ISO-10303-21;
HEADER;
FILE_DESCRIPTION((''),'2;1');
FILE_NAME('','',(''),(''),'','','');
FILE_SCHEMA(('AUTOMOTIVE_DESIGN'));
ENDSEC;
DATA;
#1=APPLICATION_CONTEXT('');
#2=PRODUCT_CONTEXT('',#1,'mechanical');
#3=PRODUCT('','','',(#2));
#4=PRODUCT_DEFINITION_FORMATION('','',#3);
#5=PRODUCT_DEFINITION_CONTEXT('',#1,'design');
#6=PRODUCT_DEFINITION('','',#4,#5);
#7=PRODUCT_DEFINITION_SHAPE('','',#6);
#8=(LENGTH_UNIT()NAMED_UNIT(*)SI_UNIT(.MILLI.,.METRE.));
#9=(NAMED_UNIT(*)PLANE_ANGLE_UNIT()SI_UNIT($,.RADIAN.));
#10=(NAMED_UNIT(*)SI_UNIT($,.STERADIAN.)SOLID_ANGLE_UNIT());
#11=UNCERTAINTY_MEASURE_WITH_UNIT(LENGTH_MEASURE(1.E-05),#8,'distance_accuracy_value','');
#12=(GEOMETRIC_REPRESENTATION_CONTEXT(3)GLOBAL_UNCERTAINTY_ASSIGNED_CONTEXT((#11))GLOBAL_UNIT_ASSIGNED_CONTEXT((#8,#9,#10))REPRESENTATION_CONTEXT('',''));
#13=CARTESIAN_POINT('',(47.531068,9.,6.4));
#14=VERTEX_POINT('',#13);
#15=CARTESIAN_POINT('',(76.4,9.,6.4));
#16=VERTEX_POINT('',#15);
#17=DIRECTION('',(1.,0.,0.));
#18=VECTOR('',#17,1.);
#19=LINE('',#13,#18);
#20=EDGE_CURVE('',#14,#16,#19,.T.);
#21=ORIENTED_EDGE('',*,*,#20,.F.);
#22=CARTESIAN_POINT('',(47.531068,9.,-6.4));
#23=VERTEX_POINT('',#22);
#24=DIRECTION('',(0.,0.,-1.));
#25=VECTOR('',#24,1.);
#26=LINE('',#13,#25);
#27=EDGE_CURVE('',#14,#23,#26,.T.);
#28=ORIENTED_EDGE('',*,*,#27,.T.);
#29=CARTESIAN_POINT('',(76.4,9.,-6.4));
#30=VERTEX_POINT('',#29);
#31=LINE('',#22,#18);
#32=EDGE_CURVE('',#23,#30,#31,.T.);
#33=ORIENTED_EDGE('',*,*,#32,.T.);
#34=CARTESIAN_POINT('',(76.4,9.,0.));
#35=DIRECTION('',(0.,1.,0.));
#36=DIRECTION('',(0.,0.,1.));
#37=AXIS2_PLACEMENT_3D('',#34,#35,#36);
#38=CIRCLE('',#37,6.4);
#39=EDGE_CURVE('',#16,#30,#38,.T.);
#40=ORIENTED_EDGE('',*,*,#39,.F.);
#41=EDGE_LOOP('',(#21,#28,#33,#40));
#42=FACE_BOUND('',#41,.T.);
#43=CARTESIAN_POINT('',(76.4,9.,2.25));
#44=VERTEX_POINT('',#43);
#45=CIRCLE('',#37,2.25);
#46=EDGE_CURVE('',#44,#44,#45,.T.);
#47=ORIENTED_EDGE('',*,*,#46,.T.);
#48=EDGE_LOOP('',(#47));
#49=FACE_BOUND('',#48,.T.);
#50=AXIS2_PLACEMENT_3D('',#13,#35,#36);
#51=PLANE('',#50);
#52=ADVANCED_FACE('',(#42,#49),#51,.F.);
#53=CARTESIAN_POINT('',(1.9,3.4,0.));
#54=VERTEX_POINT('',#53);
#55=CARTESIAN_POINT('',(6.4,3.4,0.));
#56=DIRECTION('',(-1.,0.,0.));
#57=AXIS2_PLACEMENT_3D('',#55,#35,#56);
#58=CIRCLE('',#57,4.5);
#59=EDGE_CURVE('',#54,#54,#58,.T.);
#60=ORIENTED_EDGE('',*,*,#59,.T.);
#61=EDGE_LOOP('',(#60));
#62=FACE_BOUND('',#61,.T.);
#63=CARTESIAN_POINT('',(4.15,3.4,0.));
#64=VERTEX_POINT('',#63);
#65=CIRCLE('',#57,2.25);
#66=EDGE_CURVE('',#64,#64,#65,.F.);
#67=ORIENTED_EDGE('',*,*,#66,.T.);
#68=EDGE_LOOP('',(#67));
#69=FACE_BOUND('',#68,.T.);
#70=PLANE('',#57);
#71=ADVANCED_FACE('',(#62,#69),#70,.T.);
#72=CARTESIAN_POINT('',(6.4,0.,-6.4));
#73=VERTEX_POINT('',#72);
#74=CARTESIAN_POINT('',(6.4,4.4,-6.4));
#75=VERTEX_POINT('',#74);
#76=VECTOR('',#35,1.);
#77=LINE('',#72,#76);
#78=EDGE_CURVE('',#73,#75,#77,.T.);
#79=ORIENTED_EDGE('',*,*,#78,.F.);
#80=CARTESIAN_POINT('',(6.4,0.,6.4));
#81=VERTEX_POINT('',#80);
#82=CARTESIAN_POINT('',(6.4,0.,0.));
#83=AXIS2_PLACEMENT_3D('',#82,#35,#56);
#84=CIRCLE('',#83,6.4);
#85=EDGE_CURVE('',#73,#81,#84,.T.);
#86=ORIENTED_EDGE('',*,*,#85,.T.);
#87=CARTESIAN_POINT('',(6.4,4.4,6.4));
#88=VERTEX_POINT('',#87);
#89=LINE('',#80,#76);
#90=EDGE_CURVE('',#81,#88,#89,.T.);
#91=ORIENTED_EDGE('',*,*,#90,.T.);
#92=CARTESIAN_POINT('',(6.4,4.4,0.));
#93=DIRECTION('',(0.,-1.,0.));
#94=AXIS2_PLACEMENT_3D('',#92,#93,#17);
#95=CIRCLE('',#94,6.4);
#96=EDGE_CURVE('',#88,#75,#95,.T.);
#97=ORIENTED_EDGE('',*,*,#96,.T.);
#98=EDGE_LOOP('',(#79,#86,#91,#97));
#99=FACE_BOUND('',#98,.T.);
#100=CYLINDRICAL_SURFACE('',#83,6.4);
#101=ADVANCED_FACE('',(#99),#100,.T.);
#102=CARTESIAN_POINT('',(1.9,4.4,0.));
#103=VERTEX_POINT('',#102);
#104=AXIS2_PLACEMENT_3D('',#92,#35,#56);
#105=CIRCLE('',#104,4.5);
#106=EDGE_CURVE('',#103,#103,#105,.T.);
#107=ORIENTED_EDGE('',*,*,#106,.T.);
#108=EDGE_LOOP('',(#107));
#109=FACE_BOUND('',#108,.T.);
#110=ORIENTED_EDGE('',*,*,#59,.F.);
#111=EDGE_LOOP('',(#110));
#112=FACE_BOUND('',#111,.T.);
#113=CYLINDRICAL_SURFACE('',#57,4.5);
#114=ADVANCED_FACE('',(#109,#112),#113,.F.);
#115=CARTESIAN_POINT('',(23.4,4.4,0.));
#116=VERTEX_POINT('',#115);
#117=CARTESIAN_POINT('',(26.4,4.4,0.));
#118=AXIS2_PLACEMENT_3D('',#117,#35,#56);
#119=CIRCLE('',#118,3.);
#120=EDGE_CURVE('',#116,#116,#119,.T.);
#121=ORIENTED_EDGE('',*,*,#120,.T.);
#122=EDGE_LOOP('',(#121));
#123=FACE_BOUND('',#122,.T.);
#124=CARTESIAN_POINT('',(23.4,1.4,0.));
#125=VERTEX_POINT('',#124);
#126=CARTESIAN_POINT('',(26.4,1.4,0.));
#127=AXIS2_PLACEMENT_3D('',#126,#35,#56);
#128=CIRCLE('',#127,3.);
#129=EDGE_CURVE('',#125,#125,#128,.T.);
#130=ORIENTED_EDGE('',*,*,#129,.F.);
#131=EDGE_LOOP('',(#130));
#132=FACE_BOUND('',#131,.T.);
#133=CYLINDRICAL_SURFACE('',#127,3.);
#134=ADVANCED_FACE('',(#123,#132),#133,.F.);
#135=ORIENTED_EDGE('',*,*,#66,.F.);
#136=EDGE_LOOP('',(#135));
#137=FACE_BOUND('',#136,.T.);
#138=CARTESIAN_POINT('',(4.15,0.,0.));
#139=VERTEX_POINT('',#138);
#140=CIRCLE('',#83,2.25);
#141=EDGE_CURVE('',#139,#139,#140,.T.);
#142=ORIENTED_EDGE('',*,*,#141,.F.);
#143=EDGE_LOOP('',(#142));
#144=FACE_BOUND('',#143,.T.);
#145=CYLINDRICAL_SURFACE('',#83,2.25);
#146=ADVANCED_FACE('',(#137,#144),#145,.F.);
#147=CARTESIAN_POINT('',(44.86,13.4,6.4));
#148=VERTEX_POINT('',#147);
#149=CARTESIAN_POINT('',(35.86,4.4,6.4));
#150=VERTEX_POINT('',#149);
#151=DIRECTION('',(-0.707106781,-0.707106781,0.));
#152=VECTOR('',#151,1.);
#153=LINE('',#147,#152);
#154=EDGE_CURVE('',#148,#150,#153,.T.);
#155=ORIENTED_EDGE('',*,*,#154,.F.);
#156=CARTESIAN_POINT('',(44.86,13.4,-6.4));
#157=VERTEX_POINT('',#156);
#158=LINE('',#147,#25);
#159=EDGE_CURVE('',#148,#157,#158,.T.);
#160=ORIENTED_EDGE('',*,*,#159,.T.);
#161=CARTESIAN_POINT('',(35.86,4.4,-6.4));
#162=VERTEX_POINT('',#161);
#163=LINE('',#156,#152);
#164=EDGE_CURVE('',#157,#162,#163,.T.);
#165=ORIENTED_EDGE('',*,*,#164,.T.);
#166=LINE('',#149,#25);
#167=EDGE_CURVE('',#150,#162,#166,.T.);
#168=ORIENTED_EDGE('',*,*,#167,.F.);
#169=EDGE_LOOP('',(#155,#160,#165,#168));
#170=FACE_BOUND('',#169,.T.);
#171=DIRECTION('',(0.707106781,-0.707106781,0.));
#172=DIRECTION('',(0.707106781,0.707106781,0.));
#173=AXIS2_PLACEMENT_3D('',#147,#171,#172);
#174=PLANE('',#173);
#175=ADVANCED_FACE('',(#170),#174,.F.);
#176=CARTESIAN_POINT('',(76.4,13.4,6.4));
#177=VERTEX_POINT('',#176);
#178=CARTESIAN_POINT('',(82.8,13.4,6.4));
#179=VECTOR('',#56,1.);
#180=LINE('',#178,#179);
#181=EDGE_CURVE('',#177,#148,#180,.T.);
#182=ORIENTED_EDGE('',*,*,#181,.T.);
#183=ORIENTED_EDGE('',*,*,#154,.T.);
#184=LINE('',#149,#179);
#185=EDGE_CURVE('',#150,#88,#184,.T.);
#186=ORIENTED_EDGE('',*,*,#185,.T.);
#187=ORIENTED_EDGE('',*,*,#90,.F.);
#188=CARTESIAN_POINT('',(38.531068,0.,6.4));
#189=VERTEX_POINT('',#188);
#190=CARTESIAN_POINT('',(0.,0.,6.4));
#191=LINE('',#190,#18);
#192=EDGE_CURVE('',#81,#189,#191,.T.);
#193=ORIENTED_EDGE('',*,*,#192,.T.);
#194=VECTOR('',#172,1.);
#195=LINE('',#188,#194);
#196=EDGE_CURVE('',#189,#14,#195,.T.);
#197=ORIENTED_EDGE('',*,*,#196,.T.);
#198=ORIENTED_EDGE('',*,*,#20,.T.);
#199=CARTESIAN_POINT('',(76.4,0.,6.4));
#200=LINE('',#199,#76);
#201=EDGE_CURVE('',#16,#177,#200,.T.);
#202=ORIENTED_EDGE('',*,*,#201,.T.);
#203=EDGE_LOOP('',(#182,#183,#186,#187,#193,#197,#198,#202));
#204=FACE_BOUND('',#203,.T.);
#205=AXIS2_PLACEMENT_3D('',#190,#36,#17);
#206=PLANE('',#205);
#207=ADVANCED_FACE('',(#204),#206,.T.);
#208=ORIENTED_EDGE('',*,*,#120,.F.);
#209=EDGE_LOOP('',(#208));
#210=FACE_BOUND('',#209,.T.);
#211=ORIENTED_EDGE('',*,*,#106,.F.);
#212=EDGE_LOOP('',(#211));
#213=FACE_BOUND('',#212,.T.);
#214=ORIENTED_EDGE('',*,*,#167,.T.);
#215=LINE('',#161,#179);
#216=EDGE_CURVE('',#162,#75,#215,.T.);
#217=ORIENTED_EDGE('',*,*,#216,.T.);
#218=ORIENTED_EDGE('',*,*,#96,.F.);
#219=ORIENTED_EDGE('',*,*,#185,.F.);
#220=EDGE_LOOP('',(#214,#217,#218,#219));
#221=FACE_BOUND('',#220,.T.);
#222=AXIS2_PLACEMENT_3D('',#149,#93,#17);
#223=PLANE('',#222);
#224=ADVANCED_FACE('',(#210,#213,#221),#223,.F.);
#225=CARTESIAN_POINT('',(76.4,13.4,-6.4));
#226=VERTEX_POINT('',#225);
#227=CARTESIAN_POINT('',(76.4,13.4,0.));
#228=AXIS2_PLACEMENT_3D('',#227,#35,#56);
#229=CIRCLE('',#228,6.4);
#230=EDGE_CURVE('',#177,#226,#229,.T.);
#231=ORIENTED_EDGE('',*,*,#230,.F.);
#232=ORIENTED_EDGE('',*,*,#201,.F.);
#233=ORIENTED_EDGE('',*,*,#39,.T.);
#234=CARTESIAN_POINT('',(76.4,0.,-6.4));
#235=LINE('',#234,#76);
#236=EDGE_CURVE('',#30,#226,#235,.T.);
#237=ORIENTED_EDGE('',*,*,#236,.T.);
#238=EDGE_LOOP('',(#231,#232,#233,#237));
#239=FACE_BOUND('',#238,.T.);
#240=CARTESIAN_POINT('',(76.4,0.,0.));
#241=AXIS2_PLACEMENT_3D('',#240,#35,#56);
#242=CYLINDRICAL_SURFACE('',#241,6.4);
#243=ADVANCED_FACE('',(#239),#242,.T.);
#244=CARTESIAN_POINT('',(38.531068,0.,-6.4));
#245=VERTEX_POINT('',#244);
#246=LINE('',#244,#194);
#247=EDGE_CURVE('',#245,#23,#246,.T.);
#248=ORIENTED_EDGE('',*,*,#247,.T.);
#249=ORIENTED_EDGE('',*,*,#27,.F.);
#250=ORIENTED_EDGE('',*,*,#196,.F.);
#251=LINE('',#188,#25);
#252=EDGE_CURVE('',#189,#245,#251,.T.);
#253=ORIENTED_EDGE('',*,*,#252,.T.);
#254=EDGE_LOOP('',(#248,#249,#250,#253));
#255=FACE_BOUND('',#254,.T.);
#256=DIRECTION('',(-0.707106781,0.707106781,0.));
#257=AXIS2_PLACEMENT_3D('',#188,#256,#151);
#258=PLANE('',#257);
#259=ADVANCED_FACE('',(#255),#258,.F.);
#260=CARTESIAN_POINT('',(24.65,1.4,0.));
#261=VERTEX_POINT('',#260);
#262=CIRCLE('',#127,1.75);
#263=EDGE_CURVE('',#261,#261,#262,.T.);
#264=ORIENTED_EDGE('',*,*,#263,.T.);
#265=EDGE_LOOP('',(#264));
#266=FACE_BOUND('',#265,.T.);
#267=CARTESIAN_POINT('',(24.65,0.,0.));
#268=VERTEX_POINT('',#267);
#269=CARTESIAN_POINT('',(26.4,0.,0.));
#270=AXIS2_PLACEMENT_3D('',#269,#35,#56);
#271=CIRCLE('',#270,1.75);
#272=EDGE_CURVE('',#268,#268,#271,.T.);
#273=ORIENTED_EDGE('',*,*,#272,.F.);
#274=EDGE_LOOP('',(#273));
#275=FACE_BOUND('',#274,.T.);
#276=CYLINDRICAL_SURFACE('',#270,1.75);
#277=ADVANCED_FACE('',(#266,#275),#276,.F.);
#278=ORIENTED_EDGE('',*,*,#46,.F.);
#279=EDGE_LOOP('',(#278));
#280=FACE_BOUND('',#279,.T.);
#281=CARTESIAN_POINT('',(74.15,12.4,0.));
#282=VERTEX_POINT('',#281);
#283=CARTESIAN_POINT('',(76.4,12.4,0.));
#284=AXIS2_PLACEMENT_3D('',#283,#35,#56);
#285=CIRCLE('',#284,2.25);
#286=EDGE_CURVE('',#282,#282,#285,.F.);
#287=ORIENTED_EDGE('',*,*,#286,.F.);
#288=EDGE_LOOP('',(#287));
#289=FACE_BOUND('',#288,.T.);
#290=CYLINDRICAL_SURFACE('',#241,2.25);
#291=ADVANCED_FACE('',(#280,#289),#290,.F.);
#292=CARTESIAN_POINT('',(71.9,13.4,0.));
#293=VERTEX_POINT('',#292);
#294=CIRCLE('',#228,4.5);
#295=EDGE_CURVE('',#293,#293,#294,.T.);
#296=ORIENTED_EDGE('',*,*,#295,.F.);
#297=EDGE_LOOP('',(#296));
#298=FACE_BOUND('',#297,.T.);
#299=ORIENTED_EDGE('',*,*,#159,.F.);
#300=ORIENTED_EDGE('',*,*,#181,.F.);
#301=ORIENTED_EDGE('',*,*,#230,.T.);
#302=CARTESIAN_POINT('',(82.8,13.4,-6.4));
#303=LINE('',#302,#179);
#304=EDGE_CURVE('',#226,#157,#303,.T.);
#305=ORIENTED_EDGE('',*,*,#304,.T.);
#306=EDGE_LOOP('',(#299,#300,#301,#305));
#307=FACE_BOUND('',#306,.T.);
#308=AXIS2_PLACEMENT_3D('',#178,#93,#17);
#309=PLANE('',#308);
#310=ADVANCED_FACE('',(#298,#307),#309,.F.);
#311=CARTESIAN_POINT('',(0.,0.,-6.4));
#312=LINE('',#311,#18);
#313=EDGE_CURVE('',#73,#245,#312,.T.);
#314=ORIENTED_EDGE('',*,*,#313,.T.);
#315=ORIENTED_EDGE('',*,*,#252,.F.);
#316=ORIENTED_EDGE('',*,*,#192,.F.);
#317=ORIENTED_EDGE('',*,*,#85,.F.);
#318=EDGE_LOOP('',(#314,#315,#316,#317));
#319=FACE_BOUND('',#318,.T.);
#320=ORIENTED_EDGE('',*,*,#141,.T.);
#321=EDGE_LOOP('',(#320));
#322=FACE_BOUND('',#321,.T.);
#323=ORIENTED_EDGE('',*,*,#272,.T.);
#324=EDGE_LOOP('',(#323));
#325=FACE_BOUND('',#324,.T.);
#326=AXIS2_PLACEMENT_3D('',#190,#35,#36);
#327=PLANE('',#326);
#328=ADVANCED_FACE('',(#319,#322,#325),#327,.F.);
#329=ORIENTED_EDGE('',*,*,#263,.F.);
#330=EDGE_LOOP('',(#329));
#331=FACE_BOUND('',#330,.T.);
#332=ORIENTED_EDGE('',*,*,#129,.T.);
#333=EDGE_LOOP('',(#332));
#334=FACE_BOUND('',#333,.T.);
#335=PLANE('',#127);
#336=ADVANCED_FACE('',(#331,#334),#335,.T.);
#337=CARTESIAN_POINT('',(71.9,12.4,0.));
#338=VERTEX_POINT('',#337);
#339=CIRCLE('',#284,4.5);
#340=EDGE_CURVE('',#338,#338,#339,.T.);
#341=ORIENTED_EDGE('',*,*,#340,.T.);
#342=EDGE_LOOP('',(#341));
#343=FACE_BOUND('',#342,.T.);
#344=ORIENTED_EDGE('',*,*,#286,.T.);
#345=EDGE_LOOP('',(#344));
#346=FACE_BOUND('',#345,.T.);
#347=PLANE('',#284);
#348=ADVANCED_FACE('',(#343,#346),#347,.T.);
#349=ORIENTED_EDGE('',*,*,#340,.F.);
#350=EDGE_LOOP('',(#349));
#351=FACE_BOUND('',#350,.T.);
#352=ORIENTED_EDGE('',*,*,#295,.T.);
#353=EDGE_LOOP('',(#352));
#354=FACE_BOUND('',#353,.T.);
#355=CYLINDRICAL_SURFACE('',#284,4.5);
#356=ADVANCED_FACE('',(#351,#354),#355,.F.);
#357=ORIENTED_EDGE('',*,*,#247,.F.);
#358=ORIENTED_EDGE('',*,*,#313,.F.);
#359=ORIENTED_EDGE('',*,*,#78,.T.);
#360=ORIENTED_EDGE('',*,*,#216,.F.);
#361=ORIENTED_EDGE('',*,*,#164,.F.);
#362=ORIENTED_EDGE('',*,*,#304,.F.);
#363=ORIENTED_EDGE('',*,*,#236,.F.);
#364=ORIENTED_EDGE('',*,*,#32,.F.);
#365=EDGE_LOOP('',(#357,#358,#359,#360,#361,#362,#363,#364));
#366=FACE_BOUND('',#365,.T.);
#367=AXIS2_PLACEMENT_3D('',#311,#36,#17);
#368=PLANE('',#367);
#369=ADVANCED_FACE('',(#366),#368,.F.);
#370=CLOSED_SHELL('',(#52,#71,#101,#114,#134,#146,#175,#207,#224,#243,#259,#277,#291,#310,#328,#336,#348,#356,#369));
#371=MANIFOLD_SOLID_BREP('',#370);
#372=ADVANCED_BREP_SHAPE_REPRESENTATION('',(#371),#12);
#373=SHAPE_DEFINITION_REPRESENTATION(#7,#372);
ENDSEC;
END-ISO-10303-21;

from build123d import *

# Parameters (mm, degrees)
EXTRUDE_1_DEPTH          = 6.4
SKETCH_2_OUTSIDE_W       = 101.77
SKETCH_2_OUTSIDE_H       = 31.77
CUT_EXTRUDE_1_DEPTH      = 85.121103179
CUT_EXTRUDE_2_DEPTH      = 84.533226922
CUT_EXTRUDE_2_DEPTH_BACK = 84.533226922
SKETCH_3_R               = 2.25
SKETCH_4_R               = 4.5
CUT_EXTRUDE_3_DEPTH      = 1
SKETCH_5_R               = 4.5
CUT_EXTRUDE_4_DEPTH      = 1
SKETCH_6_R               = 3
CUT_EXTRUDE_5_DEPTH      = 3
SKETCH_7_R               = 1.75
CUT_EXTRUDE_6_DEPTH      = 84.533226922


with BuildPart() as part:
    # 草图1 → 凸台-拉伸1 (new, symmetric)
    with BuildSketch(Plane.XY):
        Polygon((0, 0), (38.531067812, 0), (47.531067812, 9), (82.8, 9), (82.8, 13.4), (44.86, 13.4), (35.86, 4.4), (0, 4.4), align=None)
    extrude(amount=EXTRUDE_1_DEPTH, both=True)

    # 草图2 outside → 切除-拉伸1 (cut, through all)
    with BuildSketch(Plane(origin=(0, 13.4, 0), x_dir=(1, 0, 0), z_dir=(0, 1, 0))):
        with Locations((41.4, 0)):
            Rectangle(SKETCH_2_OUTSIDE_W, SKETCH_2_OUTSIDE_H)
        with BuildLine():
            Line((76.4, 6.4), (44.86, 6.4))
            Line((44.86, 6.4), (35.86, 6.4))
            Line((35.86, 6.4), (6.4, 6.4))
            ThreePointArc((6.4, 6.4), (0, 0), (6.4, -6.4))
            Line((6.4, -6.4), (35.86, -6.4))
            Line((35.86, -6.4), (44.86, -6.4))
            Line((44.86, -6.4), (76.4, -6.4))
            ThreePointArc((76.4, -6.4), (82.8, 0), (76.4, 6.4))
        make_face(mode=Mode.SUBTRACT)
    extrude(amount=-CUT_EXTRUDE_1_DEPTH, mode=Mode.SUBTRACT)

    # 草图3 → 切除-拉伸2 (cut, two sides: drawn at the far end of the back side and taken through both)
    with BuildSketch(Plane(origin=(0, 4.4, 0), x_dir=(1, 0, 0), z_dir=(0, 1, 0)).offset(-CUT_EXTRUDE_2_DEPTH_BACK)):
        with Locations(Location((6.4, 0, 0), (0, 0, 180))):
            Circle(SKETCH_3_R)
        with Locations(Location((76.4, 0, 0), (0, 0, 180))):
            Circle(SKETCH_3_R)
    extrude(amount=CUT_EXTRUDE_2_DEPTH + CUT_EXTRUDE_2_DEPTH_BACK, mode=Mode.SUBTRACT)

    # 草图4 → 切除-拉伸3 (cut)
    with BuildSketch(Plane(origin=(0, 13.4, 0), x_dir=(1, 0, 0), z_dir=(0, 1, 0))):
        with Locations(Location((76.4, 0, 0), (0, 0, 180))):
            Circle(SKETCH_4_R)
    extrude(amount=-CUT_EXTRUDE_3_DEPTH, mode=Mode.SUBTRACT)

    # 草图5 → 切除-拉伸4 (cut)
    with BuildSketch(Plane(origin=(0, 4.4, 0), x_dir=(1, 0, 0), z_dir=(0, 1, 0))):
        with Locations(Location((6.4, 0, 0), (0, 0, 180))):
            Circle(SKETCH_5_R)
    extrude(amount=-CUT_EXTRUDE_4_DEPTH, mode=Mode.SUBTRACT)

    # 草图6 → 切除-拉伸5 (cut)
    with BuildSketch(Plane(origin=(0, 4.4, 0), x_dir=(1, 0, 0), z_dir=(0, 1, 0))):
        with Locations(Location((26.4, 0, 0), (0, 0, 180))):
            Circle(SKETCH_6_R)
    extrude(amount=-CUT_EXTRUDE_5_DEPTH, mode=Mode.SUBTRACT)

    # 草图7 → 切除-拉伸6 (cut, through all)
    with BuildSketch(Plane(origin=(0, 4.4, 0), x_dir=(1, 0, 0), z_dir=(0, 1, 0))):
        with Locations(Location((26.4, 0, 0), (0, 0, 180))):
            Circle(SKETCH_7_R)
    extrude(amount=-CUT_EXTRUDE_6_DEPTH, mode=Mode.SUBTRACT)


solid = part.part
